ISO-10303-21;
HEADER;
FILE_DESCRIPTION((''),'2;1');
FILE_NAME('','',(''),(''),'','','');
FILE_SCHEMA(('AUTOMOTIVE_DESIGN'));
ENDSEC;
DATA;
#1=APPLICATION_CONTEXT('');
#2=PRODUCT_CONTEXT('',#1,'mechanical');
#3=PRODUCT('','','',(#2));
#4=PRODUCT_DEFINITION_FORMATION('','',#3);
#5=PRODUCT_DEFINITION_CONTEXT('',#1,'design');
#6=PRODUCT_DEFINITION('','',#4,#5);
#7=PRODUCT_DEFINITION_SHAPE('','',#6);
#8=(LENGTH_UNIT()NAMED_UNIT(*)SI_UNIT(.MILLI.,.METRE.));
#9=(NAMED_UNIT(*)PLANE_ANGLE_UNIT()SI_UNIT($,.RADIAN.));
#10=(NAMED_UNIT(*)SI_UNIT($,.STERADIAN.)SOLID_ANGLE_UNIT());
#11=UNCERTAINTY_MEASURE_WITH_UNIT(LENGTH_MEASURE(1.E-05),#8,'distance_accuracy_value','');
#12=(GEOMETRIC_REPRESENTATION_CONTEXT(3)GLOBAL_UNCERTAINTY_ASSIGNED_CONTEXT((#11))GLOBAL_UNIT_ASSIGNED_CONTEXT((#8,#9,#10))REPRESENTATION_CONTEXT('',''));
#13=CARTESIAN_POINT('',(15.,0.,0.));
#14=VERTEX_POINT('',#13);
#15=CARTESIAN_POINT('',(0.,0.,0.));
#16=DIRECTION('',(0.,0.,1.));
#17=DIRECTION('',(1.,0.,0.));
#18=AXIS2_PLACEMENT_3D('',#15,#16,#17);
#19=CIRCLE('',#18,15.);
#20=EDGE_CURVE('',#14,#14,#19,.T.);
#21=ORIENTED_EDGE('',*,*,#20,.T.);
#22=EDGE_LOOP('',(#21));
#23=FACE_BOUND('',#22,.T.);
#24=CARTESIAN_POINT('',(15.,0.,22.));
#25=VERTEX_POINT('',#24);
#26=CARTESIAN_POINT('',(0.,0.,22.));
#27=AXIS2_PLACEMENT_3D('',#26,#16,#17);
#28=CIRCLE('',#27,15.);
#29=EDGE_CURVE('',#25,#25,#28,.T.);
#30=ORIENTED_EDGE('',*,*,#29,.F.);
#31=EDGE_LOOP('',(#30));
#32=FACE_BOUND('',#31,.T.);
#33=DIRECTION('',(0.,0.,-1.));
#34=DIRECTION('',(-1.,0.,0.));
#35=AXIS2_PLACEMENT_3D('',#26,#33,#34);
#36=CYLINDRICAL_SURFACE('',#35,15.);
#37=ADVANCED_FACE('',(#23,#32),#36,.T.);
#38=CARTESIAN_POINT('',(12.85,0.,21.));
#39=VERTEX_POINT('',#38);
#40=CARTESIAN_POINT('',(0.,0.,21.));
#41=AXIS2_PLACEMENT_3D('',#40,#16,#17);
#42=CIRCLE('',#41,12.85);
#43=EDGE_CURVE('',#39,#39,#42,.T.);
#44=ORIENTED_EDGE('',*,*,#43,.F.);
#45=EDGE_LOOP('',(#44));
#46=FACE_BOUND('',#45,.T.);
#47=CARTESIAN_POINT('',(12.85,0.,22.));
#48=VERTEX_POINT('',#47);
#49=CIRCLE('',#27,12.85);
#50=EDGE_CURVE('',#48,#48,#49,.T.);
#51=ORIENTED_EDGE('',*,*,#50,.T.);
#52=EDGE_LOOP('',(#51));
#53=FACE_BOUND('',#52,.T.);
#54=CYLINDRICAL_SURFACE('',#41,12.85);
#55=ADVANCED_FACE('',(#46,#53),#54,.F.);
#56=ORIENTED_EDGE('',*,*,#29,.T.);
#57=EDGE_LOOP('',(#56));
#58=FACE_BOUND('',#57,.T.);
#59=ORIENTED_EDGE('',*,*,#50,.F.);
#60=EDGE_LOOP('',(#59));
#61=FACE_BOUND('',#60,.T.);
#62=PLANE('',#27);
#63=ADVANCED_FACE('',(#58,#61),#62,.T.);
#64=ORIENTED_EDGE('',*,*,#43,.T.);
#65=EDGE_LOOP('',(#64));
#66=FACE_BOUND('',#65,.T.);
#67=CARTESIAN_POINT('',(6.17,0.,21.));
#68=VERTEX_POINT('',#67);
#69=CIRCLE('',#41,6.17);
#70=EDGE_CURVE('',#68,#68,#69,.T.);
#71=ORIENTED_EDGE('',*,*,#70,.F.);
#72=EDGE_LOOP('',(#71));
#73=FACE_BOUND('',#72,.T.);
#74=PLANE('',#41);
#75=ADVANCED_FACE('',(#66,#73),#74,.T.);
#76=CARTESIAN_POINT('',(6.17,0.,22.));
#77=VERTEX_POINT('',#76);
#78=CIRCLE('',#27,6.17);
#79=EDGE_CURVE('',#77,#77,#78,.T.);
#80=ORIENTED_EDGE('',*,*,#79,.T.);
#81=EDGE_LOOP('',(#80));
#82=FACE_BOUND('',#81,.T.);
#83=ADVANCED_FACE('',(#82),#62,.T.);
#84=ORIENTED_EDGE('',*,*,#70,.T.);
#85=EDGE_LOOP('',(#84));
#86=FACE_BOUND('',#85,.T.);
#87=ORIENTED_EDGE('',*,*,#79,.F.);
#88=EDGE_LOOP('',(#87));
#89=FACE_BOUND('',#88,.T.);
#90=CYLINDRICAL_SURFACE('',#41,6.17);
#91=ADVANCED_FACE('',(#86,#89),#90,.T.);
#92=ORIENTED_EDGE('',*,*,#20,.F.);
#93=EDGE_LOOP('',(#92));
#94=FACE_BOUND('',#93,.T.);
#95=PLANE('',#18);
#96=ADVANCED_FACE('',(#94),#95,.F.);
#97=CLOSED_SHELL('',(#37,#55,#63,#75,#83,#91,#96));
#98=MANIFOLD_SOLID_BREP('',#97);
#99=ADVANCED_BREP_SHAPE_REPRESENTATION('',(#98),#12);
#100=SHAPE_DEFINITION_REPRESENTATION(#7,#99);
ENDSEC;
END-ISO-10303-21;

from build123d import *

# Parameters (mm, degrees)
SKETCH1_R           = 15
BOSS_EXTRUDE1_DEPTH = 22
SKETCH2_R           = 12.85
SKETCH2_R_2         = 6.17
CUT_EXTRUDE1_DEPTH  = 1


with BuildPart() as part:
    # Sketch1 → Boss-Extrude1 (new body)
    with BuildSketch(Plane.XY):
        Circle(SKETCH1_R)
    extrude(amount=BOSS_EXTRUDE1_DEPTH)

    # Sketch2 → Cut-Extrude1 (cut)
    with BuildSketch(Plane.XY.offset(22)):
        Circle(SKETCH2_R)
        Circle(SKETCH2_R_2, mode=Mode.SUBTRACT)
    extrude(amount=-CUT_EXTRUDE1_DEPTH, mode=Mode.SUBTRACT)


solid = part.part
